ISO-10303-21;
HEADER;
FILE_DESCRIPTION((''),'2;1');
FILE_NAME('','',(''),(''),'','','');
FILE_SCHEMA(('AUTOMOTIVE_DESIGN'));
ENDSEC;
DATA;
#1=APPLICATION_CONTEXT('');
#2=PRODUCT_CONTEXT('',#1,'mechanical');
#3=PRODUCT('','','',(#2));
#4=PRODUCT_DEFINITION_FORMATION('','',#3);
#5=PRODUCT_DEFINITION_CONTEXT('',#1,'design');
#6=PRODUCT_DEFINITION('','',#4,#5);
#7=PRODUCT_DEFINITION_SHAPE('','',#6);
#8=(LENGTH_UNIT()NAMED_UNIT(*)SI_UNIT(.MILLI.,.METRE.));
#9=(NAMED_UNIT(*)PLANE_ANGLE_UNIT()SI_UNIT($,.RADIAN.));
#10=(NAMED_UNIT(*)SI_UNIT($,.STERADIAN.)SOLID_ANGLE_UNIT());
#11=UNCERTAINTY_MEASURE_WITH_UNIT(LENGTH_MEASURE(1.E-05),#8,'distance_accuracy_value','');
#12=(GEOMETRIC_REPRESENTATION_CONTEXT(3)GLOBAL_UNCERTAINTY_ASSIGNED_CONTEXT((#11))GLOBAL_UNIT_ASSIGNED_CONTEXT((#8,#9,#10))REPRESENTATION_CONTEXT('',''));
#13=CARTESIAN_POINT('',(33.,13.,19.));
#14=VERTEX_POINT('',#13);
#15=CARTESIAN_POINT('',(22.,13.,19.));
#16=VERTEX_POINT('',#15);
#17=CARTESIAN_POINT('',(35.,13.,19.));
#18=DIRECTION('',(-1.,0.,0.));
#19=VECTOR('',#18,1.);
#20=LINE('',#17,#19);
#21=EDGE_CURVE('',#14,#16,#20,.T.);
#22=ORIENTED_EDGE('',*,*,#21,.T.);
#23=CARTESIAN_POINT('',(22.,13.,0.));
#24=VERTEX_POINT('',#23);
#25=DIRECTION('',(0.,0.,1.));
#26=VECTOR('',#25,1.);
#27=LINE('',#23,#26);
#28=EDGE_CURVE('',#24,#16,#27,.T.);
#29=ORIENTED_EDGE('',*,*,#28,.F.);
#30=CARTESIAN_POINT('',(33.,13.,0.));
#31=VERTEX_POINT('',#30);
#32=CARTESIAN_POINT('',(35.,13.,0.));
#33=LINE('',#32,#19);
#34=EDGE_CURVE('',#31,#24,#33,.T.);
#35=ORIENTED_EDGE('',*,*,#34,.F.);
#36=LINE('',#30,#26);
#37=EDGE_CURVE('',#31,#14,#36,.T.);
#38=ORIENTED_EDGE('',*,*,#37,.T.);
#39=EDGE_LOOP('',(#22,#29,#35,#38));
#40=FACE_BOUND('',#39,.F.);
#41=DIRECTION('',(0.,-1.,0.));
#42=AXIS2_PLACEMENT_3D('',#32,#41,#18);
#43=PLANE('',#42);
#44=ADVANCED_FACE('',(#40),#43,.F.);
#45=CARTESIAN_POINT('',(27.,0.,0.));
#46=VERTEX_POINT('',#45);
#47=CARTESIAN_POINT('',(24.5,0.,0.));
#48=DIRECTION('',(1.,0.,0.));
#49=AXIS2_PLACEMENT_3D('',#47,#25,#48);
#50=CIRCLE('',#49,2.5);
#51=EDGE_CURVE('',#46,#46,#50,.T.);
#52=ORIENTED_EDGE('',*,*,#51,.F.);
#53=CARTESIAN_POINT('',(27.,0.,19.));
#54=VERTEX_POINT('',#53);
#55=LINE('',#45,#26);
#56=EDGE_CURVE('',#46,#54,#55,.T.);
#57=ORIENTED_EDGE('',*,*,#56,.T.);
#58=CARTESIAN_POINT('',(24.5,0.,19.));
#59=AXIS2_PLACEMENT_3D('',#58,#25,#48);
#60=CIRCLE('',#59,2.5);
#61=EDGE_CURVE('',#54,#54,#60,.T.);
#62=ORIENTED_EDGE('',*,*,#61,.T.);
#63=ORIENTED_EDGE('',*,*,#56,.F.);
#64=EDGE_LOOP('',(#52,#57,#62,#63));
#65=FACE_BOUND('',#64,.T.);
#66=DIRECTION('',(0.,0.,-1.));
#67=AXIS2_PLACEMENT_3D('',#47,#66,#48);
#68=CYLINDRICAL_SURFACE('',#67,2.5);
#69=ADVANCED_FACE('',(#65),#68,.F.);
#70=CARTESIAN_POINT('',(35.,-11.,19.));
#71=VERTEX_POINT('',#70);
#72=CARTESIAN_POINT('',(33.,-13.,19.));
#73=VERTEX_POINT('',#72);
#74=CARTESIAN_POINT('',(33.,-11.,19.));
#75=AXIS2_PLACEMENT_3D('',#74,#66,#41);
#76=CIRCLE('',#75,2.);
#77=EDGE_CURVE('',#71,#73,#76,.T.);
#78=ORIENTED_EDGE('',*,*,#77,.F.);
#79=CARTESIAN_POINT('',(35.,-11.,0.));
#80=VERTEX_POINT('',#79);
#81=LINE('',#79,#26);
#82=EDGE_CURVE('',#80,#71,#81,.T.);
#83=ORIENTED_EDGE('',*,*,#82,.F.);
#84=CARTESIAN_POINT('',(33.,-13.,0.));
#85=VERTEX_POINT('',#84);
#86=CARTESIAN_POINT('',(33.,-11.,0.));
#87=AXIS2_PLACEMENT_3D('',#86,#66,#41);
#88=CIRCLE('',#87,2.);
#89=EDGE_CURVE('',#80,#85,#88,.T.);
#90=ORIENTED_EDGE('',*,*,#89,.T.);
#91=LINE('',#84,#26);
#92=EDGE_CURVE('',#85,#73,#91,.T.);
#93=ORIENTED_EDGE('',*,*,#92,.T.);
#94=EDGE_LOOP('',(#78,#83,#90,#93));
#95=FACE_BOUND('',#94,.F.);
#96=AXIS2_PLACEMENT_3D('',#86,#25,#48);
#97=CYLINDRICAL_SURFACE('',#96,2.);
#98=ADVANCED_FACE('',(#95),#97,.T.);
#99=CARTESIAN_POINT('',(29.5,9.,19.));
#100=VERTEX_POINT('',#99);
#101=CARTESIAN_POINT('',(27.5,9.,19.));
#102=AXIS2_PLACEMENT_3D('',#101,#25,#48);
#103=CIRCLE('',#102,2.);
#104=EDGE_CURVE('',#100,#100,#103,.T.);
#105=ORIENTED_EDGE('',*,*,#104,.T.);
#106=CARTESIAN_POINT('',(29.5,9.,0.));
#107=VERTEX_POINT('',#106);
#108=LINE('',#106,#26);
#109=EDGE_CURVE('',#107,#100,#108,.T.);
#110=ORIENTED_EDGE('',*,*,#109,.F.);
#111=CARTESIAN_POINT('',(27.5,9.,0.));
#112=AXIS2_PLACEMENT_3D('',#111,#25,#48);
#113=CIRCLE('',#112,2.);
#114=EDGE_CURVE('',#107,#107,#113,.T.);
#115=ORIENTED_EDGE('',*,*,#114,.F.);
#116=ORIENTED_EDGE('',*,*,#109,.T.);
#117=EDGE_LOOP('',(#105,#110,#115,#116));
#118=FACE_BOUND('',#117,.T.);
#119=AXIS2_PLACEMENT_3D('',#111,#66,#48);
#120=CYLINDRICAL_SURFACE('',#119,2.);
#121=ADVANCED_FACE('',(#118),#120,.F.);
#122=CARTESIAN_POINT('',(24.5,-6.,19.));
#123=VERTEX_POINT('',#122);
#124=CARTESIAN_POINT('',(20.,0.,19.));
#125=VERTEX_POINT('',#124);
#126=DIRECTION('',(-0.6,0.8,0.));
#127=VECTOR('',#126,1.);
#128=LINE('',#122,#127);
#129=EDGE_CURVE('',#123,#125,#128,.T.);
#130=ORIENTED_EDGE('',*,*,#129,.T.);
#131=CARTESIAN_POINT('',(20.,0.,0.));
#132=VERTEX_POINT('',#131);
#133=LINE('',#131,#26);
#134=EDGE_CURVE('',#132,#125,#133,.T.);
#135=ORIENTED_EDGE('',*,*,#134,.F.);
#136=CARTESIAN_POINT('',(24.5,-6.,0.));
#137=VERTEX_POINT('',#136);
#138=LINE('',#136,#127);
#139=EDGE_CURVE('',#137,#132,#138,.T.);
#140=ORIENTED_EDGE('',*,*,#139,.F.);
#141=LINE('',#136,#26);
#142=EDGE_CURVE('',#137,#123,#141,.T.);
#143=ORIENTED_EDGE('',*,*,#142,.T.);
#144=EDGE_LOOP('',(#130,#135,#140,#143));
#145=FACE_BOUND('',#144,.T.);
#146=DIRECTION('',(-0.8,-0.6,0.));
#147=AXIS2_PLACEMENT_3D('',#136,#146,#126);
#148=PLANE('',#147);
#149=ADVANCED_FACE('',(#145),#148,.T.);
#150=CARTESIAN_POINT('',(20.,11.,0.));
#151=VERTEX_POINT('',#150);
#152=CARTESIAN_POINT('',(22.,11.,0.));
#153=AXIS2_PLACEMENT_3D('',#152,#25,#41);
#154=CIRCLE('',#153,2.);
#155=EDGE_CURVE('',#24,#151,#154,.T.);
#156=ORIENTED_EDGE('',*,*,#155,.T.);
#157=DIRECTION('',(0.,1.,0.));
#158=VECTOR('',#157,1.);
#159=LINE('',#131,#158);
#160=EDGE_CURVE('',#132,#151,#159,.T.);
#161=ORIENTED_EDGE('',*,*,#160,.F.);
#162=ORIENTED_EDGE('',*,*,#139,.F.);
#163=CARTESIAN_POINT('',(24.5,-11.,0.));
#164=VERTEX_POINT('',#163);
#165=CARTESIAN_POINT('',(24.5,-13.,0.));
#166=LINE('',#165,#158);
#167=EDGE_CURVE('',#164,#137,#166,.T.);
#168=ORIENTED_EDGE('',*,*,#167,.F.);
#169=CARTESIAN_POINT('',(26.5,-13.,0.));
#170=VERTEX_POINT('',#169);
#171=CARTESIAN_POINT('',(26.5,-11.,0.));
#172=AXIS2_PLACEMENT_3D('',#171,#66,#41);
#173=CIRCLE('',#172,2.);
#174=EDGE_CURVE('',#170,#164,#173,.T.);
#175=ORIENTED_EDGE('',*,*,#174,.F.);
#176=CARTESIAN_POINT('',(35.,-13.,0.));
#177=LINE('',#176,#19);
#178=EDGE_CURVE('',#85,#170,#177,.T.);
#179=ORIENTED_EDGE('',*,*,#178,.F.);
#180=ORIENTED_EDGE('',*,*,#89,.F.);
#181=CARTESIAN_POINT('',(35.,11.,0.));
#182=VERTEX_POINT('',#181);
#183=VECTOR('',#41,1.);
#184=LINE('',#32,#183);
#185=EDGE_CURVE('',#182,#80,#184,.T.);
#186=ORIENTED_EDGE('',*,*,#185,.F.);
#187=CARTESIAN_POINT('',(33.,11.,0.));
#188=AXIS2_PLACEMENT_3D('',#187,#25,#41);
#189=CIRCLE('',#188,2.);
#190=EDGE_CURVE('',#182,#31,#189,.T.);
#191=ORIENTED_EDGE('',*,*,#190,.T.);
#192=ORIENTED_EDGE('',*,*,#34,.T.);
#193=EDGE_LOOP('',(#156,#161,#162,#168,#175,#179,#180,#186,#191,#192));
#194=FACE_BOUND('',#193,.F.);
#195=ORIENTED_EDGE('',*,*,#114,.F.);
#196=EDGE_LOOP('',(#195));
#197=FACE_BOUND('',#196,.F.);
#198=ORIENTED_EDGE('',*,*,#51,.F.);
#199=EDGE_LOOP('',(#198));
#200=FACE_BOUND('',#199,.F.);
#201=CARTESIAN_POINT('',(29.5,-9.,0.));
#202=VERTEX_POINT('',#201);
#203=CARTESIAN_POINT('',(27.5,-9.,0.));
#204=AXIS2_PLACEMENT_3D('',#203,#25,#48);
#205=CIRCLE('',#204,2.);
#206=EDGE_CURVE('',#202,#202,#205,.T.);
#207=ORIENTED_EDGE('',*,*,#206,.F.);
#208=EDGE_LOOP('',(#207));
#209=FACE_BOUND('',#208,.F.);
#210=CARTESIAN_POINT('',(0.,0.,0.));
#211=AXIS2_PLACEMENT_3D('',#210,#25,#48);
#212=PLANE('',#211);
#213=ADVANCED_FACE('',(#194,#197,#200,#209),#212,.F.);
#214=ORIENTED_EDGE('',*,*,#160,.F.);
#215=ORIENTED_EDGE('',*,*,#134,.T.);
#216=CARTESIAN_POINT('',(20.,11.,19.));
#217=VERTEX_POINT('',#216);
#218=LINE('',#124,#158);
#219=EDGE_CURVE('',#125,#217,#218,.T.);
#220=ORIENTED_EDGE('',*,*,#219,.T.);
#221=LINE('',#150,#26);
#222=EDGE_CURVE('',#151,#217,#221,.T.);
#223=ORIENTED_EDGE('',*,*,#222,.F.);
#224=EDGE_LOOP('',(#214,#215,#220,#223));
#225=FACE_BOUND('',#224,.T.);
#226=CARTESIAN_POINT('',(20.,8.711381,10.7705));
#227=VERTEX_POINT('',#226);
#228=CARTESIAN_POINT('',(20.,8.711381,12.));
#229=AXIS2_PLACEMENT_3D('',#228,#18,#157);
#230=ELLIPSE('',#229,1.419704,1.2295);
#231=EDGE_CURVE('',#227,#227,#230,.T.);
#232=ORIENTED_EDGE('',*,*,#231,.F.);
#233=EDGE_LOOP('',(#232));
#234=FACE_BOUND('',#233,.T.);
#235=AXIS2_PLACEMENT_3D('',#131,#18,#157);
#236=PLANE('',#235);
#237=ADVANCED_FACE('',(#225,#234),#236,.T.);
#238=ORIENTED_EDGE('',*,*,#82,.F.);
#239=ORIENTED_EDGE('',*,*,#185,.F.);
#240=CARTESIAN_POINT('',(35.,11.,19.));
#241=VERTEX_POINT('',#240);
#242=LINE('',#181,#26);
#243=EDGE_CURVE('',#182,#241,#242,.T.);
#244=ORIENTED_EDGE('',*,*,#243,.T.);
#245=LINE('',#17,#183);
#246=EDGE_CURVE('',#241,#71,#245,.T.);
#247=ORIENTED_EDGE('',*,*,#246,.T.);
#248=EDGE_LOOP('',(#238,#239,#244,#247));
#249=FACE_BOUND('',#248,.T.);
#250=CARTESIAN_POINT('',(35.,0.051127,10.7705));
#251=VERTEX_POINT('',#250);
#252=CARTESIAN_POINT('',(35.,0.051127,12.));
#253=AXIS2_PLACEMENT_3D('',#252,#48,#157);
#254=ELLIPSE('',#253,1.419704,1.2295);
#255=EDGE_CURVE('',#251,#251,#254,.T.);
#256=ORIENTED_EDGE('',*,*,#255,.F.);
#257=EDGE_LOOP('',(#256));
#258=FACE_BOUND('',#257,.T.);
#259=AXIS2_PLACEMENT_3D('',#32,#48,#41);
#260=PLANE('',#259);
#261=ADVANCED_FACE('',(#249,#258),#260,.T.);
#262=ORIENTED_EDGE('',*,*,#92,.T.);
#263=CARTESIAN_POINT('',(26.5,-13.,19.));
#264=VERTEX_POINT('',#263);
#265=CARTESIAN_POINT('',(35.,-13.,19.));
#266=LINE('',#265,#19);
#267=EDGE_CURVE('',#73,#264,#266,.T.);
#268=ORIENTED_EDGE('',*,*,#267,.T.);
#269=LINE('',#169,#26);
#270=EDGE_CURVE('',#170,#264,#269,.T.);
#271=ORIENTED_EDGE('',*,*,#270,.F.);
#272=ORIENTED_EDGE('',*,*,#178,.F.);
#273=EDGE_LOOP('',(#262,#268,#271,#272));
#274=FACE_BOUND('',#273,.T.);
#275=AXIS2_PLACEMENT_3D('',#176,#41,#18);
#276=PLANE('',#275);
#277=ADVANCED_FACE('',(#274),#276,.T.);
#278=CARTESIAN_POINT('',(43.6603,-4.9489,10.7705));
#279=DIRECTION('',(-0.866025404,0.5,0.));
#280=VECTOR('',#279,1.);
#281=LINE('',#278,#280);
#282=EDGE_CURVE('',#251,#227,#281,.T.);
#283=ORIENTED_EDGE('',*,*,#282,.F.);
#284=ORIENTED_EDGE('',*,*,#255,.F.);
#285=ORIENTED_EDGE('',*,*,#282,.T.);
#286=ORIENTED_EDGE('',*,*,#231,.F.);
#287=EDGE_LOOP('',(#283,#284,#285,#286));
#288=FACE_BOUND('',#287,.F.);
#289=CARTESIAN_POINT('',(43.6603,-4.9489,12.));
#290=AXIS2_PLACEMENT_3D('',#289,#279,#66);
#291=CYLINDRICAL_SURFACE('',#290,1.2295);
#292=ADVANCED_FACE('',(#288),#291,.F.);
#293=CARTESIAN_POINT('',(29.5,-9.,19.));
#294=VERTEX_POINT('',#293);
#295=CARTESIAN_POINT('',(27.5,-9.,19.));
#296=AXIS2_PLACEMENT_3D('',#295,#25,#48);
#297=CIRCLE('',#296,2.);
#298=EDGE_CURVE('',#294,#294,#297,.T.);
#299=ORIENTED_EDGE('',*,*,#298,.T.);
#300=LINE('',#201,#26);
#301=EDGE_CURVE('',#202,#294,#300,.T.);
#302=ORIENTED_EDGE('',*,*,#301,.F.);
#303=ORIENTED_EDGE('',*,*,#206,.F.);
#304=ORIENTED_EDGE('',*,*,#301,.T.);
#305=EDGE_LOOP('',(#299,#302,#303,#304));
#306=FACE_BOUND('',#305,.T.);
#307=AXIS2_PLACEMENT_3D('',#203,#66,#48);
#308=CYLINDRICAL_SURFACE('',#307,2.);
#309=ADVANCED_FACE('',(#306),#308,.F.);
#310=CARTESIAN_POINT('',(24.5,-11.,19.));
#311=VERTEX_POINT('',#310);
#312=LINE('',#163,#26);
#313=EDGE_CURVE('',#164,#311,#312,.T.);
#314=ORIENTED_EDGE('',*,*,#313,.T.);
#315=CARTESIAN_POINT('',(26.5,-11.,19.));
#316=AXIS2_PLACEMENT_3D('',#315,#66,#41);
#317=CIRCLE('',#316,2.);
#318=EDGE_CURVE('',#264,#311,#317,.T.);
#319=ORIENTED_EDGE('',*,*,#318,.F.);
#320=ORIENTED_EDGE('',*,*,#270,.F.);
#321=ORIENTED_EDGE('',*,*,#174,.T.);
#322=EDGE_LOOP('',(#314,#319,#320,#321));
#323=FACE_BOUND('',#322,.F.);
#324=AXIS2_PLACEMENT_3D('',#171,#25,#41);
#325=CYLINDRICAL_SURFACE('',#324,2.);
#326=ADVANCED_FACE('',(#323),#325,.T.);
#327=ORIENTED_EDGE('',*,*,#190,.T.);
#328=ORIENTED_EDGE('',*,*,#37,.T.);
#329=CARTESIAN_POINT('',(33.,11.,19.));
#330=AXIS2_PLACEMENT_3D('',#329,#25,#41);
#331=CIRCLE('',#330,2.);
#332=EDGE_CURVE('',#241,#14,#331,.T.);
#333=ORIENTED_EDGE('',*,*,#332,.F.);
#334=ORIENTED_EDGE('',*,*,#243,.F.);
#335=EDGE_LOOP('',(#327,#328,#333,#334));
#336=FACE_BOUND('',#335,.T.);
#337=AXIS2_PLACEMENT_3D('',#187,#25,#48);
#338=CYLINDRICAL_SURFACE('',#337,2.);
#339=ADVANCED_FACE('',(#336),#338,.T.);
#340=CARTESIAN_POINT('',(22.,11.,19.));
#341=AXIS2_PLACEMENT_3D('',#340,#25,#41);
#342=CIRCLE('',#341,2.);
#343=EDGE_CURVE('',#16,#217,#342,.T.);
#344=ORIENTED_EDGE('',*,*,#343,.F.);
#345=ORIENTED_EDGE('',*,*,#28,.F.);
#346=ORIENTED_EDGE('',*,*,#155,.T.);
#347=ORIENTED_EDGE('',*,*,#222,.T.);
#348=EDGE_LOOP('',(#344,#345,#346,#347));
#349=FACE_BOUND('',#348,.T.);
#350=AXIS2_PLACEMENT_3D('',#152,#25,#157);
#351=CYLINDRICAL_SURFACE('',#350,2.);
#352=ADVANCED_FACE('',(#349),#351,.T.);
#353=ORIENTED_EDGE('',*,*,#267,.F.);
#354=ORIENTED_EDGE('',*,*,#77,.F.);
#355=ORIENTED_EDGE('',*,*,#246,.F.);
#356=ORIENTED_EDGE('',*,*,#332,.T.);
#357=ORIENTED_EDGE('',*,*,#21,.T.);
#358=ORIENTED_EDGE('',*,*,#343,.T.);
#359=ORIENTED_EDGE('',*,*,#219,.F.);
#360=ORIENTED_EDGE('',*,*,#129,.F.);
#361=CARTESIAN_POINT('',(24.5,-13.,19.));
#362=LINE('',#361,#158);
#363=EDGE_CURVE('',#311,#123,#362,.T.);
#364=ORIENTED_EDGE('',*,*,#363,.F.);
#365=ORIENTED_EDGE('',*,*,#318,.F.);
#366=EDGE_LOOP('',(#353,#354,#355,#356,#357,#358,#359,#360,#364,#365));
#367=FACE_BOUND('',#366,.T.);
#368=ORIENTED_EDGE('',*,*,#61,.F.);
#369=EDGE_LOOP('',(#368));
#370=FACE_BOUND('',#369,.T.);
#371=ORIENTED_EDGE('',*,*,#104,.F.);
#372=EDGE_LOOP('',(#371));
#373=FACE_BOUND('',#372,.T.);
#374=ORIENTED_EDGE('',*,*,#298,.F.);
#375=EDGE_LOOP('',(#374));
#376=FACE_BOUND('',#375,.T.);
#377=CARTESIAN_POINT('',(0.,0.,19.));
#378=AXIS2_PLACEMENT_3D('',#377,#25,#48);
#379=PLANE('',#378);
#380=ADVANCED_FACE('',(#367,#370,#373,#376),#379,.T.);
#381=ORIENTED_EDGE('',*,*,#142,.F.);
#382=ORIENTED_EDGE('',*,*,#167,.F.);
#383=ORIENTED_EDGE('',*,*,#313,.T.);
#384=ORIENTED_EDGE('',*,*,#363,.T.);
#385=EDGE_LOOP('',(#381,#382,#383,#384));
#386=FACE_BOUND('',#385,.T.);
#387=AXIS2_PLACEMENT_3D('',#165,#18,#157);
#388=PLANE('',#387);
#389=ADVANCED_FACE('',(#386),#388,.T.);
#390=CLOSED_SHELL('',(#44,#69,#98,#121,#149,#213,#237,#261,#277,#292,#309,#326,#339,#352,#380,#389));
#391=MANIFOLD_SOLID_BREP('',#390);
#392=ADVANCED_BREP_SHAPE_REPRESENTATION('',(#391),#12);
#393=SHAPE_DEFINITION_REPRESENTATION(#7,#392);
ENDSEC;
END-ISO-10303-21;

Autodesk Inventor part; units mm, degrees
ref_plane "YZ Plane" through (0, 0, 0) normal (1, 0, 0) x (0, 1, 0)
ref_plane "XZ Plane" through (0, 0, 0) normal (0, 1, 0) x (-1, 0, 0)
ref_plane "Work Plane1" through (0, 0, 0) normal (0, 0, 1) x (1, 0, 0)
ref_plane "Work Plane2" through (-37, -13, 19) normal (0, 0, -1) x (0, 1, 0)
sketch "Sketch1" plane through (0, 0, 0) normal (0, 0, 1) x (1, 0, 0)
  line L0 (35, 13) -> (35, -13)
  line L1 (20, 0) -> (20, 13)
  circle A0 centre (27.5, 9) radius 2 projected
  circle A1 centre (27.5, -9) radius 2 projected
  line L2 (35, 13) -> (20, 13)
  line L3 (35, -13) -> (24.5, -13)
  line L4 (24.5, -13) -> (24.5, -6)
  line L5 (20, 0) -> (20, 13)
  line L6 (-60.2, 0) -> (60.2, 0) construction
  line L7 (35, 13.1624) -> (35, -13.1624) construction
  circle A2 centre (24.5, 0) radius 2.5
  line L8 (20, -13.1624) -> (20, 13.1624) construction
  line L9 (24.5, -6) -> (20, 0)
  point P0 (0, 0)
  dimension "d1" = 3
  dimension "d26" = 26
  dimension "d29" = 7
extrude "Extrusion1" add sketch "Sketch1" along normal up to surface (19 mm away)
ref_plane "Work Plane4" through (-0.8627, 0, 12) normal (0, 0, 1) x (1, 0, 0)
sketch "Sketch4" plane through (-0.8627, 0, 12) normal (0, 0, 1) x (1, 0, 0)
  circle A0 centre (28.3627, 9) radius 2 construction
  circle A1 centre (25.3627, 0) radius 2.5 construction
  circle A2 centre (28.3627, -9) radius 2 construction
  circle A3 centre (28.3627, -9) radius 2 construction
  circle A4 centre (28.3627, 9) radius 2 construction
  line L0 (35.8627, -13) -> (35.8627, 13) construction
  line L1 (35.8627, 13) -> (20.8627, 13) construction
  line L2 (20.8627, 13) -> (20.8627, 0) construction
  line L3 (25.3627, -6) -> (25.3627, -13) construction
  line L4 (25.3627, -13) -> (35.8627, -13) construction
  line L5 (20.8627, 8.7113) -> (35.8627, 0.0511) construction
  line L6 (35.8627, -13) -> (35.8627, 13) construction
  line L7 (-2.1421, -20.2045) -> (16.8579, 12.7045) construction
  line L8 (35.8627, 0.0511) -> (20.8627, 8.7113)
  line L9 (20.8627, 0) -> (25.3627, -6) projected
  point P0 (0.8627, 0)
  dimension "d6" = 4
ref_plane "Work Plane8" through (43.6603, -4.9489, 12) normal (0.866, -0.5, 0) x (0.5, 0.866, 0)
ref_plane "Work Plane7" through (35, 0.0511, 12) normal (0.866, -0.5, 0) x (0.5, 0.866, 0)
sketch "Sketch7" plane through (43.6603, -4.9489, 12) normal (0.866, -0.5, 0) x (0.5, 0.866, 0)
  point P0 (-17.5442, -12)
  point P1 (0, 0)
hole "Hole2" at (43.6603, -4.9489, 12) direction (-0.866, 0.5, 0) diameter 2.459 end through all thread size "M3x0.5" class "6H" standard "ISO Metric profile"
fillet "Fillet1" radius 2 4 edges at (35, 13, 9.5) (20, 13, 9.5) (24.5, -13, 9.5) (35, -13, 9.5)
